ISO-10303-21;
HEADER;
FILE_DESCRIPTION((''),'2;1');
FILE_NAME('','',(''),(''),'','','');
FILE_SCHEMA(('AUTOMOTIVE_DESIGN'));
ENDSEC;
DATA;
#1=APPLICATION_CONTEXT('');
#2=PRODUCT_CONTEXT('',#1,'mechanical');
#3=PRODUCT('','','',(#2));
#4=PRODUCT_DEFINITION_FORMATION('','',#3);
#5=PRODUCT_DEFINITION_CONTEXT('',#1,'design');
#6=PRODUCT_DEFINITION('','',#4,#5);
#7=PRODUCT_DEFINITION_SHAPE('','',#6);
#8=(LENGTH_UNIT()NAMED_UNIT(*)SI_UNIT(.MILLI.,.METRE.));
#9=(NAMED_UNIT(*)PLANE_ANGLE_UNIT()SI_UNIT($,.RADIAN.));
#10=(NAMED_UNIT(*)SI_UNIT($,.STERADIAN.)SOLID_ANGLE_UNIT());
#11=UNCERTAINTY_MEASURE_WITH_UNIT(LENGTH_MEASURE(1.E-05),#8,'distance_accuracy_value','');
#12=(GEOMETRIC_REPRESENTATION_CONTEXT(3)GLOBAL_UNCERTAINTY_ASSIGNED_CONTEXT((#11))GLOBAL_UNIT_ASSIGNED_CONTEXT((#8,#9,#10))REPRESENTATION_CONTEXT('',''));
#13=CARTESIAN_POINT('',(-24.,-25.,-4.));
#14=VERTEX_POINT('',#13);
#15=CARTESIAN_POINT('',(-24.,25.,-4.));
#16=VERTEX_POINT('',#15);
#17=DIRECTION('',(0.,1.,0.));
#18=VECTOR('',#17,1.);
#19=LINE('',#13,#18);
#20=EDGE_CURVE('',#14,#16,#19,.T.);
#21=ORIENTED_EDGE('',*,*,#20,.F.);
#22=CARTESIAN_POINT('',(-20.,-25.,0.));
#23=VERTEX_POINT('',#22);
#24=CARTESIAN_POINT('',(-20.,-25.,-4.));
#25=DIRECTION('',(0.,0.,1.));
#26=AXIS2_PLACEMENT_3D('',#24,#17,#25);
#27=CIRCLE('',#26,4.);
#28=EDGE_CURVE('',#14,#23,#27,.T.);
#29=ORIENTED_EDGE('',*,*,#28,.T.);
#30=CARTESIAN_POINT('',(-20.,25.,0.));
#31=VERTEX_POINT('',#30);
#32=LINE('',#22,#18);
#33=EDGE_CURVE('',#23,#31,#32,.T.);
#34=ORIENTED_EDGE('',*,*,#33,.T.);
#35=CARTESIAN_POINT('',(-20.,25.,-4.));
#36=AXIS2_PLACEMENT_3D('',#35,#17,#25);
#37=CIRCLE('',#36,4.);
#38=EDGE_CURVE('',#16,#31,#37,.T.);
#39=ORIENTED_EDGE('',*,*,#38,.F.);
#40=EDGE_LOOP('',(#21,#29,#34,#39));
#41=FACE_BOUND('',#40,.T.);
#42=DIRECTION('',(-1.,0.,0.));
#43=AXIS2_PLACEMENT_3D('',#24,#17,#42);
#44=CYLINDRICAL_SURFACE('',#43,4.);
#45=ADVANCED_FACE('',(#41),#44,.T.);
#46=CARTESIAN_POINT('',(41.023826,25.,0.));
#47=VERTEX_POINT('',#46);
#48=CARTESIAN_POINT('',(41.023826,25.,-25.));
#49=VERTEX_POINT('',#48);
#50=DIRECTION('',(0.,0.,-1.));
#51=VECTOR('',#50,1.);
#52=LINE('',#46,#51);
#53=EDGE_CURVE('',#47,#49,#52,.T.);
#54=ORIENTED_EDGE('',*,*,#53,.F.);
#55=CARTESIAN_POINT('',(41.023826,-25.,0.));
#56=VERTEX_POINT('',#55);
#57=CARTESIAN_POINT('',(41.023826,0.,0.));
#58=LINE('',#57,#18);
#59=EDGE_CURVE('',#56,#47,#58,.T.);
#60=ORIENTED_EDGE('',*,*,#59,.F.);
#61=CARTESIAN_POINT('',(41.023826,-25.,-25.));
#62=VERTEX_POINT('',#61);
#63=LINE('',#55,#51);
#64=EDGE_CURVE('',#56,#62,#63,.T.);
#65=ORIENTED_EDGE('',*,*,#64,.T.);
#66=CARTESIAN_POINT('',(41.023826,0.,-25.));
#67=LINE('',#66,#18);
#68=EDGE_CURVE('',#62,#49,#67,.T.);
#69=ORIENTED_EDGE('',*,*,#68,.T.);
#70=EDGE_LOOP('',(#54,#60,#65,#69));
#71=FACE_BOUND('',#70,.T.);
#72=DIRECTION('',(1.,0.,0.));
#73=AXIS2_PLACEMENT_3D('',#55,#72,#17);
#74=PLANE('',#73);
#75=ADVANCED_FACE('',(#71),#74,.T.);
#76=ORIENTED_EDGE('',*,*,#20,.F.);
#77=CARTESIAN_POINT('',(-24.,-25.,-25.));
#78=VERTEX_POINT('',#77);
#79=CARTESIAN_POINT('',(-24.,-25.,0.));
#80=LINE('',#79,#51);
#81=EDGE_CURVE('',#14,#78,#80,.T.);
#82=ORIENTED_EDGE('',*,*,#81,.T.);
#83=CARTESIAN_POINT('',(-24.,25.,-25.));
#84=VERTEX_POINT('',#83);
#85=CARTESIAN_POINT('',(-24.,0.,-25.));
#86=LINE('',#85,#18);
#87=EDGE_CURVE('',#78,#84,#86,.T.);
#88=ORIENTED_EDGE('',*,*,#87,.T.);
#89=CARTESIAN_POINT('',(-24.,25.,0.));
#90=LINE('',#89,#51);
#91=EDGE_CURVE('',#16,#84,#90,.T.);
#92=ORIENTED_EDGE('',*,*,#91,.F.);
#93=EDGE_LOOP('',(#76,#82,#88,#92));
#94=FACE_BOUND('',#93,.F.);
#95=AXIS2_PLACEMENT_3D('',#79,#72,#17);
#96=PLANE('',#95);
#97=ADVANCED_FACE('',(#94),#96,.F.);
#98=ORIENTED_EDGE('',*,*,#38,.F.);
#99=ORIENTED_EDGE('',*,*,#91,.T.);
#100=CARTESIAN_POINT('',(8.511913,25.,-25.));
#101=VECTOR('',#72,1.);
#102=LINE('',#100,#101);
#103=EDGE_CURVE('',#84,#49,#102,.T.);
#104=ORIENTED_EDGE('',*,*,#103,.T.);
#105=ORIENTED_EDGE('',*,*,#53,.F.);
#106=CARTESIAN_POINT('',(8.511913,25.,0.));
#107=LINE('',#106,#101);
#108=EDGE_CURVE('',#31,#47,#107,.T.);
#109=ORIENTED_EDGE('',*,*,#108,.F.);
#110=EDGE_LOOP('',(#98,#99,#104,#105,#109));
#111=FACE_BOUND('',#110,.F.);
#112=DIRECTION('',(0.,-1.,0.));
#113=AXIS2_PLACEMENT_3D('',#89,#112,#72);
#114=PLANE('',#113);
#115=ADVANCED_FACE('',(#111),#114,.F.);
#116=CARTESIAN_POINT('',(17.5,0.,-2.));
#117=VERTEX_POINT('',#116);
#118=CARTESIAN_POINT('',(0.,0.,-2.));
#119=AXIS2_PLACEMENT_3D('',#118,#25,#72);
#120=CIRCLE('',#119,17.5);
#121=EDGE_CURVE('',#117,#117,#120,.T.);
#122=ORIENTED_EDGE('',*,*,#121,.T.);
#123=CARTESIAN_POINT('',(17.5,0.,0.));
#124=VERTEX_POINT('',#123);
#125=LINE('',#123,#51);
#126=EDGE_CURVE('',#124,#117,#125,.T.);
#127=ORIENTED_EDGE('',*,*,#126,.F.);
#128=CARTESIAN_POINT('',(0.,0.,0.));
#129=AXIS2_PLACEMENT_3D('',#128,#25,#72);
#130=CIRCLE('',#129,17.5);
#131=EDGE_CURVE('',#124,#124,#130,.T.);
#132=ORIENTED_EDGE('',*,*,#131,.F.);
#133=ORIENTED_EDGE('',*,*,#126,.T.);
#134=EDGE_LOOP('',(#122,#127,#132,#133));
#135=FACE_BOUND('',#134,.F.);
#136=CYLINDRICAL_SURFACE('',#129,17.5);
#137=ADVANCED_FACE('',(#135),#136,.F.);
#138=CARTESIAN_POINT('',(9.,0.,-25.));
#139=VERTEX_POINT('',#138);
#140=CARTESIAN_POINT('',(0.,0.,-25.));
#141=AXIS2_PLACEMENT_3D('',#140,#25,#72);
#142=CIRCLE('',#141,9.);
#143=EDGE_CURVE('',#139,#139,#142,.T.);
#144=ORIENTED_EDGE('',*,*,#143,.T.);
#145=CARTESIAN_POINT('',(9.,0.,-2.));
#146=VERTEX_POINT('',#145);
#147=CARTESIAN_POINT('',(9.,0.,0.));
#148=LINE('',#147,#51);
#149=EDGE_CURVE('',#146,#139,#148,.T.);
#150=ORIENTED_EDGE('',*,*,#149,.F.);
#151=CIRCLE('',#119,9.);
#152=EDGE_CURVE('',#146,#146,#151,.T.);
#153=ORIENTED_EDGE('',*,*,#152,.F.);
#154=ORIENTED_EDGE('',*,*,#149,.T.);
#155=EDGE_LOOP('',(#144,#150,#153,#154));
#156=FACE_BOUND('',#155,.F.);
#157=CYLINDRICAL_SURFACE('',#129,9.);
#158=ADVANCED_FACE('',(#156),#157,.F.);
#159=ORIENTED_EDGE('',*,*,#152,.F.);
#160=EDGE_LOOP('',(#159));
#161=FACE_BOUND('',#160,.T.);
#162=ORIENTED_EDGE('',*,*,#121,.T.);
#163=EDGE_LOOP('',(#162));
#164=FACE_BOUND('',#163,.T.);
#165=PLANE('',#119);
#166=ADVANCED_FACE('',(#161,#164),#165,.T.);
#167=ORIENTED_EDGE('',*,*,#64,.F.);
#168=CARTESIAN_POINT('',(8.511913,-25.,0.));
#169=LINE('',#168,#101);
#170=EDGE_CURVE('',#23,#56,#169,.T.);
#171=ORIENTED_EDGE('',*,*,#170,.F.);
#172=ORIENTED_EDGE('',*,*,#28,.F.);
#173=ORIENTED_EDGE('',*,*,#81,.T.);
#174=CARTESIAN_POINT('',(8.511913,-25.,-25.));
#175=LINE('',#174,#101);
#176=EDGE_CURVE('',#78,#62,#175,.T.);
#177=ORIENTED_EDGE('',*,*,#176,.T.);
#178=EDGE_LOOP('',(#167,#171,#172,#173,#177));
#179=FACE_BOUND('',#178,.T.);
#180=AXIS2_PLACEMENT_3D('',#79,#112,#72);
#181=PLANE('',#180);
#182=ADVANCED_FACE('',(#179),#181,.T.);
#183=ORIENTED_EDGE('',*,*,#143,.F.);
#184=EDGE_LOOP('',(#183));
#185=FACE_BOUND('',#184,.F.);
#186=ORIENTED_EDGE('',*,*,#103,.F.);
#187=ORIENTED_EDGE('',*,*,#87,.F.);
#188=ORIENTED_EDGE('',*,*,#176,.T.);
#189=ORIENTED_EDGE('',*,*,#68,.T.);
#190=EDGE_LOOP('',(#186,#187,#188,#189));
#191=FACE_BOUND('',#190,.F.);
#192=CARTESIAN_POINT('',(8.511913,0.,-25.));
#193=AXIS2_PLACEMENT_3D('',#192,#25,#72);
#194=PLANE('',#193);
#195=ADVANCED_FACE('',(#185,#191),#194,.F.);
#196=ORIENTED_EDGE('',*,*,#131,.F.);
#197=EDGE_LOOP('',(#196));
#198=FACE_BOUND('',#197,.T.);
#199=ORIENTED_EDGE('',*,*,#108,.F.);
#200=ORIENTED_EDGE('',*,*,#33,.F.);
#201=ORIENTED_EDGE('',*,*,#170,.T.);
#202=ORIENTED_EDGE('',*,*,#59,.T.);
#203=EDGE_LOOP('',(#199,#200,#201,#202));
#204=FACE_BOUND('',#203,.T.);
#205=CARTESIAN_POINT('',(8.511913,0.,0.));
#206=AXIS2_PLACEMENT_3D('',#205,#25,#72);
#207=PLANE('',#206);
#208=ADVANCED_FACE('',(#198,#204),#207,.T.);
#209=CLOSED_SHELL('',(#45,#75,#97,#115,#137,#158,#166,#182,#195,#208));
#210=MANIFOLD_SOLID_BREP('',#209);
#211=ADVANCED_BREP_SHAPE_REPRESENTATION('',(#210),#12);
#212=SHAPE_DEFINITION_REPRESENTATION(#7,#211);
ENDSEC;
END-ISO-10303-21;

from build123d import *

# Parameters (mm, degrees)
F0_W     = 65.023827
F0_H     = 50
F1_DEPTH = 25
F2_R     = 9
F3_DEPTH = 25.001
F4_R     = 17.5
F5_DEPTH = 2
F6_R     = 4


with BuildPart() as f1:
    # F0 (on Top) → F1 (new body)
    with BuildSketch(Plane.XY):
        with Locations((8.511913, 0)):
            Rectangle(F0_W, F0_H)
    extrude(amount=-F1_DEPTH)

    # F2 (on face) → F3 (cut, through all)
    with BuildSketch(Plane.XY):
        Circle(F2_R)
    extrude(amount=-F3_DEPTH, mode=Mode.SUBTRACT)

    # F4 (on face) → F5 (cut)
    with BuildSketch(Plane.XY):
        Circle(F4_R)
    extrude(amount=-F5_DEPTH, mode=Mode.SUBTRACT)

    # F6
    f6_edges = [f1.edges().sort_by_distance(p)[0] for p in [
        (-24, 0, 0),
    ]]
    fillet(f6_edges, radius=F6_R)


solid = f1.part
